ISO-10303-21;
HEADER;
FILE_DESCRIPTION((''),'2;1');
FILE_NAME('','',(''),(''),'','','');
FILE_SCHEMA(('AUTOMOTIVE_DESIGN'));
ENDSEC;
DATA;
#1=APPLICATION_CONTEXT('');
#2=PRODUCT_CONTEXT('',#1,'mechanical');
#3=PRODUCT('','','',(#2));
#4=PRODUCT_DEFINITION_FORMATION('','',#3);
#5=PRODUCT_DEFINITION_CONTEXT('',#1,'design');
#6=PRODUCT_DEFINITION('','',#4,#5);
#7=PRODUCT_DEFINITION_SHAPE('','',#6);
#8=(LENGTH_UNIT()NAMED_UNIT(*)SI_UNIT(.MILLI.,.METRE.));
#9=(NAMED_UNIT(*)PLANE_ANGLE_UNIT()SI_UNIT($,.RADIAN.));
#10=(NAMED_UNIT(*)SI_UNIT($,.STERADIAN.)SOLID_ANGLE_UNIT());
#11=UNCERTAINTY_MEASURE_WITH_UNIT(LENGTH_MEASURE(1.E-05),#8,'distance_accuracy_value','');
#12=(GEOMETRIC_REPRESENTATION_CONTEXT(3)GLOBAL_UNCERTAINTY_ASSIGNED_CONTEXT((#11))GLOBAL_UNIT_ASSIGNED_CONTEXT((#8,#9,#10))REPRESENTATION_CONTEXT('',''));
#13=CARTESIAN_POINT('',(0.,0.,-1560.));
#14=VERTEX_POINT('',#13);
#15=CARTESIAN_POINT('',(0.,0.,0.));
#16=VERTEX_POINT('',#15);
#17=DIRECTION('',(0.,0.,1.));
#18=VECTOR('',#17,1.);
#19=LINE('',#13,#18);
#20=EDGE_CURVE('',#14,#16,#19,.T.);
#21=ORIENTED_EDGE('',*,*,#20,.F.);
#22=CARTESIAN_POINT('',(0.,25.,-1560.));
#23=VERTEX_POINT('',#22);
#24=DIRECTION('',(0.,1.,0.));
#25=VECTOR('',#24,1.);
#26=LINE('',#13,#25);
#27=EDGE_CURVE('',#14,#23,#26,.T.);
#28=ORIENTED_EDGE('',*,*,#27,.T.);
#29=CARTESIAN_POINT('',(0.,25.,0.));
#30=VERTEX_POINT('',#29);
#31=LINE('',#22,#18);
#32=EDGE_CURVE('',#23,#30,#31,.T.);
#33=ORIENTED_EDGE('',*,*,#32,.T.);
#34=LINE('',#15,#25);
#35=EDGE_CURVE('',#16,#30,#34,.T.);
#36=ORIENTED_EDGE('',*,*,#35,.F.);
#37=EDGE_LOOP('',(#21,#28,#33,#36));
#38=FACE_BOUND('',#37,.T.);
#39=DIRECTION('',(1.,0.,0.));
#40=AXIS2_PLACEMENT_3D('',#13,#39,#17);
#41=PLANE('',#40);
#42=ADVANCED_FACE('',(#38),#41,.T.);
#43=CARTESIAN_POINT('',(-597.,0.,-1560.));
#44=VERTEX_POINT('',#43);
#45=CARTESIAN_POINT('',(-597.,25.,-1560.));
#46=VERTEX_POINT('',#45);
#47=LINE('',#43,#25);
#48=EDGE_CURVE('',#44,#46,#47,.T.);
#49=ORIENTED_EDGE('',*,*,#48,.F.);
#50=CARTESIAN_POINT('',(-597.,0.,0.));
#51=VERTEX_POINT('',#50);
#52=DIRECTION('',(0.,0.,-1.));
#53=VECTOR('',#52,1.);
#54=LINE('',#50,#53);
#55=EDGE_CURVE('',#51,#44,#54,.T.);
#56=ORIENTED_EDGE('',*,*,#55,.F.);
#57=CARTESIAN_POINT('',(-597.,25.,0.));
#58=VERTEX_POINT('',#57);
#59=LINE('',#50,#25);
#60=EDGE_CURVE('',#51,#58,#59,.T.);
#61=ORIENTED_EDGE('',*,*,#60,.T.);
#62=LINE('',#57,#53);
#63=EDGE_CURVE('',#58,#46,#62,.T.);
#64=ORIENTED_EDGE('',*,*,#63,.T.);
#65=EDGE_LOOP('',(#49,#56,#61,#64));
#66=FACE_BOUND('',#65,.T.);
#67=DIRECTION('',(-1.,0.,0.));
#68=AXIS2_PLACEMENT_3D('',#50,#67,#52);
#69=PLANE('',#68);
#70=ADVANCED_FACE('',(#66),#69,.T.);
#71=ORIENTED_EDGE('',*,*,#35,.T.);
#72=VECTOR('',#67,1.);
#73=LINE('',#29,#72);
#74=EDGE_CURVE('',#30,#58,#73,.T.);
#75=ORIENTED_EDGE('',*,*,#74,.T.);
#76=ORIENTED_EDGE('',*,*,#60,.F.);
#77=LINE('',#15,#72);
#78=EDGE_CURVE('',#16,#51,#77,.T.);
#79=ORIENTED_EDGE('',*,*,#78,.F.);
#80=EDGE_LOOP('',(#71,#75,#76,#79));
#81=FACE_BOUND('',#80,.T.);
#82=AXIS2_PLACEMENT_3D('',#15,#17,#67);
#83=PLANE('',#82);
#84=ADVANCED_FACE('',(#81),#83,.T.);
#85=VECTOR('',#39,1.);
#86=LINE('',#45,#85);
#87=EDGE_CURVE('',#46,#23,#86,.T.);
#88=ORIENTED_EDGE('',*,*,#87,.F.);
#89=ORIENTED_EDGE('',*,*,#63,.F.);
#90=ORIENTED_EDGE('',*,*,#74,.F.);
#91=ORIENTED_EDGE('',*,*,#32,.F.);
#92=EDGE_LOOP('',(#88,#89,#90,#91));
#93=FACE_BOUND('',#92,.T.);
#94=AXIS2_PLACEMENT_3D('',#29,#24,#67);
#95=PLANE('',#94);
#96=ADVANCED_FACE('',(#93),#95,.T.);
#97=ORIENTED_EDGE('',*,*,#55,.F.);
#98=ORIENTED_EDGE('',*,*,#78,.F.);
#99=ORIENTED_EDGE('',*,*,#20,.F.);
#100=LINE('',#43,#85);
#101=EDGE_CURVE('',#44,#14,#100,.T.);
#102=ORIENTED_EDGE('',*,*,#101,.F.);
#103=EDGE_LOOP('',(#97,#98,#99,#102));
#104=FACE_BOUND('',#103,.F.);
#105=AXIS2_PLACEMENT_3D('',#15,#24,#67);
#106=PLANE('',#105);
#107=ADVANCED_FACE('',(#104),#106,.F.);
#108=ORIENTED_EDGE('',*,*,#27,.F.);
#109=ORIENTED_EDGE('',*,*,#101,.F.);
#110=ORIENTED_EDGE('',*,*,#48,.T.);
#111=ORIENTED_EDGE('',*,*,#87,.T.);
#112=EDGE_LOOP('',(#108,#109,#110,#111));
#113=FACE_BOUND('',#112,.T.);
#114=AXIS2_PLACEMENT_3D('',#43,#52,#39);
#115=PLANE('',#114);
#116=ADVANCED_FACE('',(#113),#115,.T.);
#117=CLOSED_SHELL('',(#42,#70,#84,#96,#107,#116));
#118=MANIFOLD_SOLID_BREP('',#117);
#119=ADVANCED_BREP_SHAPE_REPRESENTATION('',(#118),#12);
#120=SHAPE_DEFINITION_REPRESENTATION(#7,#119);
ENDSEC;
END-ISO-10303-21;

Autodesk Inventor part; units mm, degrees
ref_plane "YZ Plane" through (0, 0, 0) normal (1, 0, 0) x (0, 1, 0)
ref_plane "XZ Plane" through (0, 0, 0) normal (0, 1, 0) x (-1, 0, 0)
ref_plane "XY Plane" through (0, 0, 0) normal (0, 0, 1) x (1, 0, 0)
sketch "Boceto1" plane through (0, 0, 0) normal (0, 1, 0) x (-1, 0, 0)
  line L0 (0, 0) -> (597, 0)
  line L1 (597, 0) -> (597, -1560)
  line L2 (597, -1560) -> (0, -1560)
  line L3 (0, -1560) -> (0, 0)
  dimension "d0" = 597
  dimension "d1" = 1560
extrude "Extrusión1" add sketch "Boceto1" along normal blind 25
properties part number "Tapa 1"
